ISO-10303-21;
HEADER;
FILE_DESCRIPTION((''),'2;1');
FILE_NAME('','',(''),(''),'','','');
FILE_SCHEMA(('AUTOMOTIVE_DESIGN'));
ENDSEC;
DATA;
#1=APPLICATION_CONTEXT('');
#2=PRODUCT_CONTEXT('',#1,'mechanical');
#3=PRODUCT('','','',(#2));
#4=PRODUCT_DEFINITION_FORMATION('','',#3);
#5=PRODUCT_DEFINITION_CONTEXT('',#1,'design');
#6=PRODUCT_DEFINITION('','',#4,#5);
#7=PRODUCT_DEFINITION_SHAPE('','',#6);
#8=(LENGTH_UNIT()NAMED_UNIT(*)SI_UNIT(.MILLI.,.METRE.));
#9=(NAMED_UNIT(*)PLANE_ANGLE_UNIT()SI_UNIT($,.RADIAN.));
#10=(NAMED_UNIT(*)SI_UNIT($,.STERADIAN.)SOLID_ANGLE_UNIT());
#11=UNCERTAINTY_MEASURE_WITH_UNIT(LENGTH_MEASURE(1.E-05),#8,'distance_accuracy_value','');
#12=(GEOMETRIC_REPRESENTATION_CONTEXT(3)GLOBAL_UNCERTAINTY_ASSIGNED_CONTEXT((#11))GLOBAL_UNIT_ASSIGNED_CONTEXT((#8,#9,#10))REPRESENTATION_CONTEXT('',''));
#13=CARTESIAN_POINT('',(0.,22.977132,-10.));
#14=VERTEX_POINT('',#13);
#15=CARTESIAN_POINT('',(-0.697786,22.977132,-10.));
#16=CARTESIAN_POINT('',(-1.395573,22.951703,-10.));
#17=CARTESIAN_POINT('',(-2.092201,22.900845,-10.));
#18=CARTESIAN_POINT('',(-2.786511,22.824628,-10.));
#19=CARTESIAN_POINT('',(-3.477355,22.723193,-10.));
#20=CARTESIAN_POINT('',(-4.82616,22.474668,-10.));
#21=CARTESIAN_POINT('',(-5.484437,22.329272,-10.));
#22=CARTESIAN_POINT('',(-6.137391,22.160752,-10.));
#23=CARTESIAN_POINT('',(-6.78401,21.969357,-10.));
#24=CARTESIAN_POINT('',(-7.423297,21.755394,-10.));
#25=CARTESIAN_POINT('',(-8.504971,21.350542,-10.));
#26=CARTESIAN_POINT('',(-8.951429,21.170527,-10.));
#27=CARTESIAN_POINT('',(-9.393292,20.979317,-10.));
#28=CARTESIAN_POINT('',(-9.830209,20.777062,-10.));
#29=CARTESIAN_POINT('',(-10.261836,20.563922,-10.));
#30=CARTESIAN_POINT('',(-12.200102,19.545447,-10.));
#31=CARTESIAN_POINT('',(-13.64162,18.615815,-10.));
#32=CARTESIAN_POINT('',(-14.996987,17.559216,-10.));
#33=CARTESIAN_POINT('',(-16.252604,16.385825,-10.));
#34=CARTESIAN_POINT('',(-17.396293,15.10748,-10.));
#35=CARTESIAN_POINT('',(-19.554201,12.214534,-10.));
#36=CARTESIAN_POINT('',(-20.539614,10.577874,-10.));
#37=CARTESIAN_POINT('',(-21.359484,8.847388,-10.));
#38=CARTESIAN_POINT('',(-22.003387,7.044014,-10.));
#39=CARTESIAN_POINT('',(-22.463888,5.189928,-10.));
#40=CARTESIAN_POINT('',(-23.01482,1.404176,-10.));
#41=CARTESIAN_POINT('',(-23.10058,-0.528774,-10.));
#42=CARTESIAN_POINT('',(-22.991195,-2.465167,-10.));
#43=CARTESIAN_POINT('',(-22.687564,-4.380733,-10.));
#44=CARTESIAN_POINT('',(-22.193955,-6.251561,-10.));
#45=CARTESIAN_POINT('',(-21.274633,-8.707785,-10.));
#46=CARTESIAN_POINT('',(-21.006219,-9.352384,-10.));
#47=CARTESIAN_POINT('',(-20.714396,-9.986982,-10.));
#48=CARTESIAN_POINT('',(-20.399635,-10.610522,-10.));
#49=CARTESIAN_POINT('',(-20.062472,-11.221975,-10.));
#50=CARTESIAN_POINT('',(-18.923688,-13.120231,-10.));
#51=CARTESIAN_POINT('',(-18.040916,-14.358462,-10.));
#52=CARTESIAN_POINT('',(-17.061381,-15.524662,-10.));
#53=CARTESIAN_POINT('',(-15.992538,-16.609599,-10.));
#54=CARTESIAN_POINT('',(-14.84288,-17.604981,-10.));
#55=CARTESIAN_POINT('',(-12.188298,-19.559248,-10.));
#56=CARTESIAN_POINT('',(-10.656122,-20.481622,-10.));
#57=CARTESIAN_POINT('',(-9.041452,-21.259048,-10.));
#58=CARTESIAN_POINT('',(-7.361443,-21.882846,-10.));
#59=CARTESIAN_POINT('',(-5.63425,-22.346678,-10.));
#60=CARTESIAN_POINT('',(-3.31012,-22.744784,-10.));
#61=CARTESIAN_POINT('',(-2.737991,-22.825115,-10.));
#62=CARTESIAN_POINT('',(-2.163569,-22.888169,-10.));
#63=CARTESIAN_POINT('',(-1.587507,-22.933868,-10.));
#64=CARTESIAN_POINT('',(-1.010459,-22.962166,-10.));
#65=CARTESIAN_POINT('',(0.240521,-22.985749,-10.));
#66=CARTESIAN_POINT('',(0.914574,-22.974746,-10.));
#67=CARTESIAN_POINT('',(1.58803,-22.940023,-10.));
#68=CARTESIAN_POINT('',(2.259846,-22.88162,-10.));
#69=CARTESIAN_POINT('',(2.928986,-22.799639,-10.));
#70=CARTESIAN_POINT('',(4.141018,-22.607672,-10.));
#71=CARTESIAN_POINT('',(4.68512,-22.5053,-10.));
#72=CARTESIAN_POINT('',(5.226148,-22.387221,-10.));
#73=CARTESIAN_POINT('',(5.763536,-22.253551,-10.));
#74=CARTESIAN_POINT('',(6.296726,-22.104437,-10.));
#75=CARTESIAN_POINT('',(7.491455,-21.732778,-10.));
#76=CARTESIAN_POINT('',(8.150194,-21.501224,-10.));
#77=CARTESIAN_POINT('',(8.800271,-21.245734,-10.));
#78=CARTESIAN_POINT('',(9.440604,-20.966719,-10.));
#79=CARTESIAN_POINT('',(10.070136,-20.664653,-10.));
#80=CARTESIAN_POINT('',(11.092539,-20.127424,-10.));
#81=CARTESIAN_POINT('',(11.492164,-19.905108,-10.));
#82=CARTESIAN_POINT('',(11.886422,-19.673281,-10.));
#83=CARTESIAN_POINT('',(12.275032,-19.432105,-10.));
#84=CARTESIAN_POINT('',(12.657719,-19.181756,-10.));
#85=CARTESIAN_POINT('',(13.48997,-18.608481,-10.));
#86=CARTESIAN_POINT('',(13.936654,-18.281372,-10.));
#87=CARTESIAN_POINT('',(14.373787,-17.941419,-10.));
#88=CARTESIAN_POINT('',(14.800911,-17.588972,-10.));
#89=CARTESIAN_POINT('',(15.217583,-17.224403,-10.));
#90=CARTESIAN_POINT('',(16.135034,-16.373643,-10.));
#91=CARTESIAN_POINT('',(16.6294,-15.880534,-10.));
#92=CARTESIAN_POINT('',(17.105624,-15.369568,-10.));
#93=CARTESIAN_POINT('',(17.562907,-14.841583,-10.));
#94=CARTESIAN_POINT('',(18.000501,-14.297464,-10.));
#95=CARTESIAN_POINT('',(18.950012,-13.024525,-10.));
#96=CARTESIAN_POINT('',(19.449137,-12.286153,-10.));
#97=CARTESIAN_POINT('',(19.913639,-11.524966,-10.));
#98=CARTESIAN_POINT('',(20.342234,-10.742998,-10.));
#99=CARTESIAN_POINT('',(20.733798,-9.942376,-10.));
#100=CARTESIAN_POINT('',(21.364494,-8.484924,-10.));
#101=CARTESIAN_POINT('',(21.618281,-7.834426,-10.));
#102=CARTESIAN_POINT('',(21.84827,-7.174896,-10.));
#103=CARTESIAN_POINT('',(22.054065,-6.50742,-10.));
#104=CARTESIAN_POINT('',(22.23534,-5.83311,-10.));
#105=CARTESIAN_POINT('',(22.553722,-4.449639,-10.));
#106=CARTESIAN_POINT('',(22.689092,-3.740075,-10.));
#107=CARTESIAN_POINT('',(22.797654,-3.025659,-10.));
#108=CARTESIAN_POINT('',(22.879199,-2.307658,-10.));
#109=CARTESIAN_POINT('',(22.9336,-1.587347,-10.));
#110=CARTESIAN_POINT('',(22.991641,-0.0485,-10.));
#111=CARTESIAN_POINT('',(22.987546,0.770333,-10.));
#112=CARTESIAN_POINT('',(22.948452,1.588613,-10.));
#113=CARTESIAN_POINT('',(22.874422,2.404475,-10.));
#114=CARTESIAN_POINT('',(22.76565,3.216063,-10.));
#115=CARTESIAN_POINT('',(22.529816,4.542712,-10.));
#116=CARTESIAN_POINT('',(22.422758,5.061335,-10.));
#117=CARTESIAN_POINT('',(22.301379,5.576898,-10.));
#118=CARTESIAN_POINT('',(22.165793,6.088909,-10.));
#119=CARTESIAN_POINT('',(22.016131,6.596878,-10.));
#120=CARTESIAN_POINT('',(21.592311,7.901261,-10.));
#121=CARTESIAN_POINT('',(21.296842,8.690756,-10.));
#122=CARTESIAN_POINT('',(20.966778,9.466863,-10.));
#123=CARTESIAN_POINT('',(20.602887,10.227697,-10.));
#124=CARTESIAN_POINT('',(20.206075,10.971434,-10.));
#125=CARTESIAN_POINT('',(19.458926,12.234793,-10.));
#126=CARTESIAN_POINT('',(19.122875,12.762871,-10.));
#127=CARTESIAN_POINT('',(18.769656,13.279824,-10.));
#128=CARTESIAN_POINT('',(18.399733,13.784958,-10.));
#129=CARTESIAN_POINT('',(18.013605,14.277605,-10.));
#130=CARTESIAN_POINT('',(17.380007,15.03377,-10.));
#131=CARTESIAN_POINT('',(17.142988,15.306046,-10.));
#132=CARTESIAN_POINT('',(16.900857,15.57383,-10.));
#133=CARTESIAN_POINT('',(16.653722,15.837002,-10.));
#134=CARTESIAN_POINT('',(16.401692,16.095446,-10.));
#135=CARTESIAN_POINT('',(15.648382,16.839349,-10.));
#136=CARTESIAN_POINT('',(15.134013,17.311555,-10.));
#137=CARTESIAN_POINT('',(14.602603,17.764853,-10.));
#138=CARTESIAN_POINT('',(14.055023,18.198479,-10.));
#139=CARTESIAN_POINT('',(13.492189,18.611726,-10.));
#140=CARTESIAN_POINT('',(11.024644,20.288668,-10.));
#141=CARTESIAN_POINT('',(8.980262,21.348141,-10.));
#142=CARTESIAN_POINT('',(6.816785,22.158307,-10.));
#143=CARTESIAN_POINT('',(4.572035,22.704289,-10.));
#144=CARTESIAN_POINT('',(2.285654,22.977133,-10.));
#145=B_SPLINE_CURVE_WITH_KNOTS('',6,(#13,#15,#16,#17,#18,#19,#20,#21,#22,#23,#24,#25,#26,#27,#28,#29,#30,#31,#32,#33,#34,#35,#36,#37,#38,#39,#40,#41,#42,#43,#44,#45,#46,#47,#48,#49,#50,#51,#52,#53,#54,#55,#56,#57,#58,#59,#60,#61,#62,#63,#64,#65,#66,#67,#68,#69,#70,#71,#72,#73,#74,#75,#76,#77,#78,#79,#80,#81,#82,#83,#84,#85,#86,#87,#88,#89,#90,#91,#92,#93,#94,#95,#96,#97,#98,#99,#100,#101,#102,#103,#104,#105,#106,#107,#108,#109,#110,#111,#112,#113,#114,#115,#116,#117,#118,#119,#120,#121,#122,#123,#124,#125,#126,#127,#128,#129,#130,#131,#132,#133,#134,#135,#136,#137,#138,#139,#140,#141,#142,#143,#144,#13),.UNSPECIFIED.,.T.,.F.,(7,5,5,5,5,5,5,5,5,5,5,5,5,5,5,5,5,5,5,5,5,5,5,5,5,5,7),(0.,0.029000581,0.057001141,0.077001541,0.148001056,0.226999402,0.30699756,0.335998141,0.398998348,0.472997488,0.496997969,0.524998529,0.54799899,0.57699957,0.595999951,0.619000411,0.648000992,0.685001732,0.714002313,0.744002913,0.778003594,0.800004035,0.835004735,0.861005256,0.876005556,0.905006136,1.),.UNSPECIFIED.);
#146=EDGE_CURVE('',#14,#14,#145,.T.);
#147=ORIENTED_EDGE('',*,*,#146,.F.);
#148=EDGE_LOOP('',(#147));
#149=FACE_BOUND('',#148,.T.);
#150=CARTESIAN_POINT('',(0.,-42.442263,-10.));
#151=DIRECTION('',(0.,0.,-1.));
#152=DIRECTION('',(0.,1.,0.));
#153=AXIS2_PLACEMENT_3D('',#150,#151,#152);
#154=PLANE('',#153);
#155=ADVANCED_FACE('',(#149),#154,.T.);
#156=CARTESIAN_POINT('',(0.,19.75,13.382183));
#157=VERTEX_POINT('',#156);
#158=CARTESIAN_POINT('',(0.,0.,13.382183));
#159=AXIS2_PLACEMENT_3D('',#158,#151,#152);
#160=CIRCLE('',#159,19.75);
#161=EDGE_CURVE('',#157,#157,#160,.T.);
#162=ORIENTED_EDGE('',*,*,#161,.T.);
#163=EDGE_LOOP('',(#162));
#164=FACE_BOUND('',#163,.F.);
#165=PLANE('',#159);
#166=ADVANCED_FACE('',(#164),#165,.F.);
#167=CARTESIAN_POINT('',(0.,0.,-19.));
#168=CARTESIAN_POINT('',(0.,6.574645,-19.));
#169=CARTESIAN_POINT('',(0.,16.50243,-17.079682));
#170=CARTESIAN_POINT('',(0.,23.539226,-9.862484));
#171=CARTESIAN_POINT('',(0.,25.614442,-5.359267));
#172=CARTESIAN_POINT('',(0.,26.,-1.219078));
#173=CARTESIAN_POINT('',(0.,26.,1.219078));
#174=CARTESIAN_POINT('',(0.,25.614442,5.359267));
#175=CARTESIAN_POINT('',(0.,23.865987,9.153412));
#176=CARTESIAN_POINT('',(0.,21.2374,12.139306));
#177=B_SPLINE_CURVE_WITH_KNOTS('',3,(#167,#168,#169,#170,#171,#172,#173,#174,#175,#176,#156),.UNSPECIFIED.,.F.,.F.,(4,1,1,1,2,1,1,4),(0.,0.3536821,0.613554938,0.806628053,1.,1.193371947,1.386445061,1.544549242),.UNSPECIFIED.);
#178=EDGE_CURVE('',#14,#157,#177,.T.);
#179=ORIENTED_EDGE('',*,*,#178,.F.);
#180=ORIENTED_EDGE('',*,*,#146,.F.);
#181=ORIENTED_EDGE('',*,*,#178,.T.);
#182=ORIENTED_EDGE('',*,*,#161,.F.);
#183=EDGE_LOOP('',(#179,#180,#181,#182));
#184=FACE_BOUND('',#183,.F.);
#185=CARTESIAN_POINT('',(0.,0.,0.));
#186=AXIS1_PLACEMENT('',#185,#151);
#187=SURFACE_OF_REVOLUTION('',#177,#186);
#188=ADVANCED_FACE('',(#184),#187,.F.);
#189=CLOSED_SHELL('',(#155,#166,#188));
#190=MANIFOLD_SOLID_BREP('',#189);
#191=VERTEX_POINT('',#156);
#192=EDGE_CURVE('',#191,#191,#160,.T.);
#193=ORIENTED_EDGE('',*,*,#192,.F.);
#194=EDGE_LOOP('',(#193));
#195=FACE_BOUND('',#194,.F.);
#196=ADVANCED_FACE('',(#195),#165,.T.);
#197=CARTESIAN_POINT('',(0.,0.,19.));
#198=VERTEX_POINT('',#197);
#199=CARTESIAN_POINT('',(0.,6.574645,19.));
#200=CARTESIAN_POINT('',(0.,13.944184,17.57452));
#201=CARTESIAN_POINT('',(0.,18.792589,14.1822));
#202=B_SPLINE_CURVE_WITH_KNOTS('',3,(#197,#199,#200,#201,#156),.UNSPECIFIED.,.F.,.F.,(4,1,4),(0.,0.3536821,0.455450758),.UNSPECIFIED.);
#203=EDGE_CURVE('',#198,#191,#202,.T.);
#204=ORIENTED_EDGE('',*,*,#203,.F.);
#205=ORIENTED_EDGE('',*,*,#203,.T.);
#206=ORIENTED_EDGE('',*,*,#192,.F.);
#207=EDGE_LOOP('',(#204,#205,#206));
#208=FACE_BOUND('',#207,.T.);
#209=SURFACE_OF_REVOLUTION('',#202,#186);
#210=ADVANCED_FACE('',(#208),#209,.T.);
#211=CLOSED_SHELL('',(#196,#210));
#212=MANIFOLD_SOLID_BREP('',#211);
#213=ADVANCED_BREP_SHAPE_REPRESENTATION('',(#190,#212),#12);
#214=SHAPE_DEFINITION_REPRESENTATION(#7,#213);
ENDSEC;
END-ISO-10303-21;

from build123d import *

# Parameters (mm, degrees)
F3_W     = 95.771608833
F3_H     = 47.5379661864
F4_DEPTH = 25


with BuildPart() as f1:
    # F0 (on Right) → F1 (revolve)
    with BuildSketch(Plane.YZ):
        with BuildLine():
            add(Edge.make_bspline(
                [(19.75, 13.3821831615), (21.237399666, 12.1393060117), (23.8659873685, 9.1534115663), (25.6144415243, 5.3592672006), (26, 1.2190777273), (26, 0)],
                knots=[0.4554507581, 0.4554507581, 0.4554507581, 0.4554507581, 0.6135549385, 0.806628053, 1, 1, 1, 1], degree=3))
            Line((19.75, 13.3821831615), (0, 13.3821831615))
            Line((0, 13.3821831615), (0, -19))
            add(Edge.make_bspline(
                [(0, -19), (6.5746450142, -19), (16.5024296504, -17.0796823909), (23.5392256752, -9.8624842254), (25.6144415243, -5.3592672006), (26, -1.2190777273), (26, 0)],
                knots=[0, 0, 0, 0, 0.3536821005, 0.6135549385, 0.806628053, 1, 1, 1, 1], degree=3))
        make_face()
    revolve(axis=Axis((0, 0, 0), (0, 0, -1)))

    # F3 (on Right) → F4 (cut, symmetric)
    with BuildSketch(Plane.YZ):
        with Locations((5.4435413331, -33.7689830932)):
            Rectangle(F3_W, F3_H)
    extrude(amount=F4_DEPTH, both=True, mode=Mode.SUBTRACT)


with BuildPart() as f2:
    # F0 (on Right) → F2 (revolve)
    with BuildSketch(Plane.YZ):
        with BuildLine():
            add(Edge.make_bspline(
                [(0, 19), (6.5746450142, 19), (13.9441840001, 17.5745202979), (18.7925890888, 14.1821995739), (19.75, 13.3821831615)],
                knots=[0, 0, 0, 0, 0.3536821005, 0.4554507581, 0.4554507581, 0.4554507581, 0.4554507581], degree=3))
            Line((0, 19), (0, 13.3821831615))
            Line((0, 13.3821831615), (19.75, 13.3821831615))
        make_face()
    revolve(axis=Axis((0, 0, 0), (0, 0, -1)))


solid = Compound([f1.part, f2.part])
